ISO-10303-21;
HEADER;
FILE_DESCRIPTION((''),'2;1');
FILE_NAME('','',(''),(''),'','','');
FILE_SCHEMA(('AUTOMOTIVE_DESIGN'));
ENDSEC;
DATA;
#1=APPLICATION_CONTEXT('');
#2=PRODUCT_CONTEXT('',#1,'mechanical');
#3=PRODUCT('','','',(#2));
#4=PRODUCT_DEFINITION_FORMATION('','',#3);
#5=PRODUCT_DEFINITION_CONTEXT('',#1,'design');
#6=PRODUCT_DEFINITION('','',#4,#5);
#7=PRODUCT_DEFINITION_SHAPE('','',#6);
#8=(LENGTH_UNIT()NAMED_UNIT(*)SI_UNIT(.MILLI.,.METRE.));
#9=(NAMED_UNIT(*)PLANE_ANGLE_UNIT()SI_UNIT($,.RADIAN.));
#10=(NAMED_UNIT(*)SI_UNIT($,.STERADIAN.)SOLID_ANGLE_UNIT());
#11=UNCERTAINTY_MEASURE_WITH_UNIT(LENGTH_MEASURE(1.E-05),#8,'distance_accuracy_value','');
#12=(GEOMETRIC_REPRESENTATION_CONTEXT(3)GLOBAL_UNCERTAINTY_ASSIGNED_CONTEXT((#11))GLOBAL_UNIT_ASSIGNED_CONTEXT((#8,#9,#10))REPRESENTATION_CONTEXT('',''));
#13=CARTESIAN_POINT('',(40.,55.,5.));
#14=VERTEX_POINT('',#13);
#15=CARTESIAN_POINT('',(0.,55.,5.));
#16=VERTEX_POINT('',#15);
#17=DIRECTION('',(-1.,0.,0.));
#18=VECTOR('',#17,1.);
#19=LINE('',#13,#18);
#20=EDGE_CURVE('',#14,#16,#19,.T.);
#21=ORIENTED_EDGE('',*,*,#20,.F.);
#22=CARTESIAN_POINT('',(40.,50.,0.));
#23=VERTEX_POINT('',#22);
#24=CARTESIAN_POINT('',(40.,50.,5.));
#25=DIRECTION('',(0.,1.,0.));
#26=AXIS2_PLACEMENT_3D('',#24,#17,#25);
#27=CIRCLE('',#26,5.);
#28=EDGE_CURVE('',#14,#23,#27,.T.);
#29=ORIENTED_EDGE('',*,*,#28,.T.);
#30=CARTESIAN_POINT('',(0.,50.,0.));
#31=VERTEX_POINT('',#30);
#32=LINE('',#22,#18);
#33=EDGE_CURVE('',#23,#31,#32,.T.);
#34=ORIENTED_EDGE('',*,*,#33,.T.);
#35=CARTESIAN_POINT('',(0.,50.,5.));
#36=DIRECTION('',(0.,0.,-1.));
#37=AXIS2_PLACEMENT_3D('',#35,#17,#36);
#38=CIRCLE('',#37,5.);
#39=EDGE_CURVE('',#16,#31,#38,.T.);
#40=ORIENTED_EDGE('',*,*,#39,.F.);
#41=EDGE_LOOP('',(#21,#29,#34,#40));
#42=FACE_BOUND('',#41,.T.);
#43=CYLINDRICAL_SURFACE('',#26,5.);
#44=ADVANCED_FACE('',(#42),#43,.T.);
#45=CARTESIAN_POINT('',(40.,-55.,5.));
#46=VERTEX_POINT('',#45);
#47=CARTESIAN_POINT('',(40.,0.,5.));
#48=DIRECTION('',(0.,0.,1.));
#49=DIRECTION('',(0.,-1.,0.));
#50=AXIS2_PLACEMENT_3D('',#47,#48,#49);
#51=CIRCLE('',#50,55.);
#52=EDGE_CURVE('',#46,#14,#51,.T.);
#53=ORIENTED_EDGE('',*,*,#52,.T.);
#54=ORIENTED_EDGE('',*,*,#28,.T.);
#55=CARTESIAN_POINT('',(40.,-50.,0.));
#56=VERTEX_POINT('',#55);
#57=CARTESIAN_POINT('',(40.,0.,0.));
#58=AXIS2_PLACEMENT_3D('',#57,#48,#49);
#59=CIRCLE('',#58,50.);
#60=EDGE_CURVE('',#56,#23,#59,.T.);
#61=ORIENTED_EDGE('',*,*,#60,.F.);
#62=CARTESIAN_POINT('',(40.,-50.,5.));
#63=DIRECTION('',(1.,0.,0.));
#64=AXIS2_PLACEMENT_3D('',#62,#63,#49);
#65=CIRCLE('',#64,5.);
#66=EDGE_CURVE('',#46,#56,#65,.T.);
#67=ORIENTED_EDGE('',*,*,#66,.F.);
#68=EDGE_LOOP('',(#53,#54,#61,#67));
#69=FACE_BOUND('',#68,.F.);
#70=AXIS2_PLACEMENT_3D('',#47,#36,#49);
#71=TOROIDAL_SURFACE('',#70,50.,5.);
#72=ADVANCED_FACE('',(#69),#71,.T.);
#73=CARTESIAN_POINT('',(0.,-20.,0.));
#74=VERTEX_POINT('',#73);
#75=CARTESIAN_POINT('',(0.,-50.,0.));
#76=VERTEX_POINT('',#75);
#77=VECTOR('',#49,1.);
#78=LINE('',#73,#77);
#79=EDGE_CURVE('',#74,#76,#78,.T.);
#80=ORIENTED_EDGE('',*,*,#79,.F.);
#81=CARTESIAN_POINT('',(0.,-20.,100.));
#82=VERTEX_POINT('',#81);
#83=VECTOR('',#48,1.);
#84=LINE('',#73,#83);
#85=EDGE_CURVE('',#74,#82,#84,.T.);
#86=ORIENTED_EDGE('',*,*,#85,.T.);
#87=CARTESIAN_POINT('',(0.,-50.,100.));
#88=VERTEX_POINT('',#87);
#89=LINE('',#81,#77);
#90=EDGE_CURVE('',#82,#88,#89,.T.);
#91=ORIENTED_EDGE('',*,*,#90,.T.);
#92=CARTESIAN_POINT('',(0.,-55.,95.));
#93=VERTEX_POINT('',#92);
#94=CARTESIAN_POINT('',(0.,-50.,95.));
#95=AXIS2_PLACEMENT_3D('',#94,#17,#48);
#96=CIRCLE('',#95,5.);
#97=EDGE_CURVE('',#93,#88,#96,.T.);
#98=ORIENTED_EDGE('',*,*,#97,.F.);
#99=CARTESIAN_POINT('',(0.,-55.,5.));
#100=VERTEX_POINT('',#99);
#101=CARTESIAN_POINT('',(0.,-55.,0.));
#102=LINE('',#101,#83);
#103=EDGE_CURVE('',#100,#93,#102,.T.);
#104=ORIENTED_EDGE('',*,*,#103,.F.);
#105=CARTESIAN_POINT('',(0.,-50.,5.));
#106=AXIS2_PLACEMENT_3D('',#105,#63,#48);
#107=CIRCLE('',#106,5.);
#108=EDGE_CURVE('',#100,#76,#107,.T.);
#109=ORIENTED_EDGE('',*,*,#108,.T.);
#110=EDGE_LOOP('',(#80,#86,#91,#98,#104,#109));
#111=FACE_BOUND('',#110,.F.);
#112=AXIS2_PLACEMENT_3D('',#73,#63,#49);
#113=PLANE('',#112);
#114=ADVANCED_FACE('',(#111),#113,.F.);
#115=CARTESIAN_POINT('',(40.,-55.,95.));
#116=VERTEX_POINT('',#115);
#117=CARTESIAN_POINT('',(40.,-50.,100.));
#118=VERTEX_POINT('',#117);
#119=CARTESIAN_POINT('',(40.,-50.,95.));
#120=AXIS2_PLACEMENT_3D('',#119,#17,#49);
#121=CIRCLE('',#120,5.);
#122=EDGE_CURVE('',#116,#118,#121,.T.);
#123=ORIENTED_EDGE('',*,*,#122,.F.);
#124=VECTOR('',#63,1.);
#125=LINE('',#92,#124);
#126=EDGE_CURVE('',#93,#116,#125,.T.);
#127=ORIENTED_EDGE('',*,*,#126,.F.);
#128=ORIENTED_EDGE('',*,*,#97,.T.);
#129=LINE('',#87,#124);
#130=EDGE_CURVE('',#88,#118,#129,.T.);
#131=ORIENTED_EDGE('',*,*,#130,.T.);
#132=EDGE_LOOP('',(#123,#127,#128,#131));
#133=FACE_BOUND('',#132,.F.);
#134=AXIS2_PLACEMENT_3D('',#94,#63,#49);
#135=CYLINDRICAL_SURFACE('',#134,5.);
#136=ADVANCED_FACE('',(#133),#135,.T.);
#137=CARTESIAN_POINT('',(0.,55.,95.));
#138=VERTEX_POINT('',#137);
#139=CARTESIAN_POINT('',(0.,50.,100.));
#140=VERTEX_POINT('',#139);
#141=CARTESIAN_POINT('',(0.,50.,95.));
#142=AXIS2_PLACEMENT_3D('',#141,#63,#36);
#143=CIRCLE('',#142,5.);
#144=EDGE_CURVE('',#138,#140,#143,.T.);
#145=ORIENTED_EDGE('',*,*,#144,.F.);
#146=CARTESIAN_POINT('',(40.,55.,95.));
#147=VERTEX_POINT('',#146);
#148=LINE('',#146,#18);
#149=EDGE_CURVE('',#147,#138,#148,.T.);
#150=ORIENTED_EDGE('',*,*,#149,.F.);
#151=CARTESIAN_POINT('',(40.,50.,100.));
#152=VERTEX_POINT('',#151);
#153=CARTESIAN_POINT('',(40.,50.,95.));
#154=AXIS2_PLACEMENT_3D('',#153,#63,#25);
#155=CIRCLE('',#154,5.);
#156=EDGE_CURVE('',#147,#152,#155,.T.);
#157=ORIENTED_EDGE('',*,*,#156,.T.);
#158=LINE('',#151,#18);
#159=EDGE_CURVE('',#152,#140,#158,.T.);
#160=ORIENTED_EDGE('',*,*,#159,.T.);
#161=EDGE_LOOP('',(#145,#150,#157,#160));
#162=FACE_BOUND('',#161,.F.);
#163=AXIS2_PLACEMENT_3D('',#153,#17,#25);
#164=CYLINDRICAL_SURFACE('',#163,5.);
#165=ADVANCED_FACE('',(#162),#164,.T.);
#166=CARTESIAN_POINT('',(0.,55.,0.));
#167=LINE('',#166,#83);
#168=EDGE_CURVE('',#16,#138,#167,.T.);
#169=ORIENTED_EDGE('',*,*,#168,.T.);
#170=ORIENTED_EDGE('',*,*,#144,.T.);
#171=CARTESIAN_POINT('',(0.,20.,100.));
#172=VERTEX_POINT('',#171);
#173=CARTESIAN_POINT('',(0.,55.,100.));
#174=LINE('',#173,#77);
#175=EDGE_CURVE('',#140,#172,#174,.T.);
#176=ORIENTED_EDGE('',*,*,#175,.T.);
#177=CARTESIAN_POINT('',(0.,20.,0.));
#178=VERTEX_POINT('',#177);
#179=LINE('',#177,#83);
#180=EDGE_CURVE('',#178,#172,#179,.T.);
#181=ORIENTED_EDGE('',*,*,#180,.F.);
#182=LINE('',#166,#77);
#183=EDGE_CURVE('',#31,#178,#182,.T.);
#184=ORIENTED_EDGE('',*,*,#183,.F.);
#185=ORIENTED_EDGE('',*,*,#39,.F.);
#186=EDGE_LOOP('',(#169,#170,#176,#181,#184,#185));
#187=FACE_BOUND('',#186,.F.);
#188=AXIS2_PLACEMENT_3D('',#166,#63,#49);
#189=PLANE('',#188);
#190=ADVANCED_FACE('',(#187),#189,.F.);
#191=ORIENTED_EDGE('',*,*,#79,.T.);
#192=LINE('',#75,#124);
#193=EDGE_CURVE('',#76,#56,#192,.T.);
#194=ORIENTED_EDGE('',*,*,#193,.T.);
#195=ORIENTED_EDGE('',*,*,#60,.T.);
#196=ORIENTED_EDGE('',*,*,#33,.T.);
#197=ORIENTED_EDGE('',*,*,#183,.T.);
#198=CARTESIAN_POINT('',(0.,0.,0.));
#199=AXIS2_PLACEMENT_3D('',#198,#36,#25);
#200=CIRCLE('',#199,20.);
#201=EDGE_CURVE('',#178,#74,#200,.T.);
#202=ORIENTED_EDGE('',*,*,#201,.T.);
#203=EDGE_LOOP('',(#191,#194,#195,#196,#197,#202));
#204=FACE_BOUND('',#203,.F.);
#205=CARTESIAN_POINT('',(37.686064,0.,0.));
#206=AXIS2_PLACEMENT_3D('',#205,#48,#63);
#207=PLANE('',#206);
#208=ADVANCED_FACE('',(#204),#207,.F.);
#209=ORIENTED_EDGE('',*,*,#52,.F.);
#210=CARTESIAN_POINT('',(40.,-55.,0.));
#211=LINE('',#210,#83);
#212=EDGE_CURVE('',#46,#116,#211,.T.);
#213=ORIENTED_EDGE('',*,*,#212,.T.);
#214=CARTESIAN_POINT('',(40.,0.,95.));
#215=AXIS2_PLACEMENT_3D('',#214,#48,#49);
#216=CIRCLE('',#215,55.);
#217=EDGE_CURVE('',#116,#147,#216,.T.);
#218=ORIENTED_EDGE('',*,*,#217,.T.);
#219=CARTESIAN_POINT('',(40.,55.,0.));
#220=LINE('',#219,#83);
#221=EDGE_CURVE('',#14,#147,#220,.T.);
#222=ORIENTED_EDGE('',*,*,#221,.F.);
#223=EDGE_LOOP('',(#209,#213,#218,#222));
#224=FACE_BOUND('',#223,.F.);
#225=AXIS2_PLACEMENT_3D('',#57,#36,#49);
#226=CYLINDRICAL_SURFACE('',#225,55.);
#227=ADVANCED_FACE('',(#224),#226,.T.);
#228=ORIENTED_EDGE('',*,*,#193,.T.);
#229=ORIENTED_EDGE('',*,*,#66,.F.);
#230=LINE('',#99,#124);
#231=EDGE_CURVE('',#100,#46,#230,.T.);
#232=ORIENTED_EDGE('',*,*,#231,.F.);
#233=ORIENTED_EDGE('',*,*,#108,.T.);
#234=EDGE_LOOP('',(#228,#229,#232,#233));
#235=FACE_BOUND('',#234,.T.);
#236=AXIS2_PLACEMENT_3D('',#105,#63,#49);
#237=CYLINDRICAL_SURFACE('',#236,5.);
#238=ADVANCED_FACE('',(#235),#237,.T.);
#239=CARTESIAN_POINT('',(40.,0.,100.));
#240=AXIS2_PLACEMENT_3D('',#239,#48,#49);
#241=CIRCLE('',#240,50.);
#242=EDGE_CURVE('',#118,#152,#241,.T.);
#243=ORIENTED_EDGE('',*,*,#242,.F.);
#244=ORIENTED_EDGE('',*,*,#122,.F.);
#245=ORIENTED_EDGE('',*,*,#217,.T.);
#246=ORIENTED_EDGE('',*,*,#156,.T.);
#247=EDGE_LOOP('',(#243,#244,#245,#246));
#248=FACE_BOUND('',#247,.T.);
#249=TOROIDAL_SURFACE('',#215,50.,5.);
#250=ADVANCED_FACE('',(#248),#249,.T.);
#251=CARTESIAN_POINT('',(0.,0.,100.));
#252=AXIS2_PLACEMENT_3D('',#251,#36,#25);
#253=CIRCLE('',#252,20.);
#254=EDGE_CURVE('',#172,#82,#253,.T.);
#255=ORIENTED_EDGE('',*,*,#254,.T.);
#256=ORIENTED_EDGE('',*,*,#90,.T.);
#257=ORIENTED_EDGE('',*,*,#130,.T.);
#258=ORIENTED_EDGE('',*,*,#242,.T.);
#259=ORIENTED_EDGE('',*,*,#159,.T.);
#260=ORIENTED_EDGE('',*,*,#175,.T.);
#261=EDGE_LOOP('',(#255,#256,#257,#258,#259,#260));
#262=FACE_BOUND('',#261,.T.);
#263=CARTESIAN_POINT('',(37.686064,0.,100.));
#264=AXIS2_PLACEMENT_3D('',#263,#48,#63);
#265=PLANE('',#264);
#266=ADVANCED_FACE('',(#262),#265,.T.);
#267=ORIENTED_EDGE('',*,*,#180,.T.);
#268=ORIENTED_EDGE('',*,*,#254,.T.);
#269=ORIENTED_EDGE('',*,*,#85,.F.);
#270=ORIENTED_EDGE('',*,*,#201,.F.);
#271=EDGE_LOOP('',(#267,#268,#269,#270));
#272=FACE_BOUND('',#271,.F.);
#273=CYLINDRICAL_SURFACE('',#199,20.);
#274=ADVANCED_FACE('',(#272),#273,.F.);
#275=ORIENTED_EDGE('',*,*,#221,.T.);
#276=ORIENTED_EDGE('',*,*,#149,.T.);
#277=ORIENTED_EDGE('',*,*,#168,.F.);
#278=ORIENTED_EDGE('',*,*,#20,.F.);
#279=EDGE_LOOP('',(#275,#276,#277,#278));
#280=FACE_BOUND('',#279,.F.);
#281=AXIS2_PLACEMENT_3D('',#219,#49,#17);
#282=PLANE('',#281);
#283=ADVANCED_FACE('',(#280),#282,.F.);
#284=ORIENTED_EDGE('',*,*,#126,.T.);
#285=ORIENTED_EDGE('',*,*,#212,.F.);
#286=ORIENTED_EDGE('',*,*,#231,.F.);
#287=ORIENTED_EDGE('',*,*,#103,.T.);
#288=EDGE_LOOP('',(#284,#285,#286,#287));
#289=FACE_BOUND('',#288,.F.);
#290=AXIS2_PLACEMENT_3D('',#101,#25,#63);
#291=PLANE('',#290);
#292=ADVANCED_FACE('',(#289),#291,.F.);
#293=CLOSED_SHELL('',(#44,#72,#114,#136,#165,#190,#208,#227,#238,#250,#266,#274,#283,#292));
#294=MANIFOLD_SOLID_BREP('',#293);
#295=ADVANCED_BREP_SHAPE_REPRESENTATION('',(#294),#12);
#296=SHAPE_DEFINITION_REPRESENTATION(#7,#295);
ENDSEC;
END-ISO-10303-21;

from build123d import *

# Parameters (mm, degrees)
F1_DEPTH = 100
F2_R     = 5


with BuildPart() as f1:
    # F0 (on Top) → F1 (new body)
    with BuildSketch(Plane.XY):
        with BuildLine():
            ThreePointArc((0, 20), (20, 0), (0, -20))
            Line((0, -20), (0, -55))
            Line((0, -55), (40, -55))
            ThreePointArc((40, -55), (95, 0), (40, 55))
            Line((40, 55), (0, 55))
            Line((0, 55), (0, 20))
        make_face()
    extrude(amount=F1_DEPTH)

    # F2
    f2_edges = [f1.edges().sort_by_distance(p)[0] for p in [
        (95, 0, 100),
        (95, 0, 0),
    ]]
    fillet(f2_edges, radius=F2_R)


solid = f1.part
